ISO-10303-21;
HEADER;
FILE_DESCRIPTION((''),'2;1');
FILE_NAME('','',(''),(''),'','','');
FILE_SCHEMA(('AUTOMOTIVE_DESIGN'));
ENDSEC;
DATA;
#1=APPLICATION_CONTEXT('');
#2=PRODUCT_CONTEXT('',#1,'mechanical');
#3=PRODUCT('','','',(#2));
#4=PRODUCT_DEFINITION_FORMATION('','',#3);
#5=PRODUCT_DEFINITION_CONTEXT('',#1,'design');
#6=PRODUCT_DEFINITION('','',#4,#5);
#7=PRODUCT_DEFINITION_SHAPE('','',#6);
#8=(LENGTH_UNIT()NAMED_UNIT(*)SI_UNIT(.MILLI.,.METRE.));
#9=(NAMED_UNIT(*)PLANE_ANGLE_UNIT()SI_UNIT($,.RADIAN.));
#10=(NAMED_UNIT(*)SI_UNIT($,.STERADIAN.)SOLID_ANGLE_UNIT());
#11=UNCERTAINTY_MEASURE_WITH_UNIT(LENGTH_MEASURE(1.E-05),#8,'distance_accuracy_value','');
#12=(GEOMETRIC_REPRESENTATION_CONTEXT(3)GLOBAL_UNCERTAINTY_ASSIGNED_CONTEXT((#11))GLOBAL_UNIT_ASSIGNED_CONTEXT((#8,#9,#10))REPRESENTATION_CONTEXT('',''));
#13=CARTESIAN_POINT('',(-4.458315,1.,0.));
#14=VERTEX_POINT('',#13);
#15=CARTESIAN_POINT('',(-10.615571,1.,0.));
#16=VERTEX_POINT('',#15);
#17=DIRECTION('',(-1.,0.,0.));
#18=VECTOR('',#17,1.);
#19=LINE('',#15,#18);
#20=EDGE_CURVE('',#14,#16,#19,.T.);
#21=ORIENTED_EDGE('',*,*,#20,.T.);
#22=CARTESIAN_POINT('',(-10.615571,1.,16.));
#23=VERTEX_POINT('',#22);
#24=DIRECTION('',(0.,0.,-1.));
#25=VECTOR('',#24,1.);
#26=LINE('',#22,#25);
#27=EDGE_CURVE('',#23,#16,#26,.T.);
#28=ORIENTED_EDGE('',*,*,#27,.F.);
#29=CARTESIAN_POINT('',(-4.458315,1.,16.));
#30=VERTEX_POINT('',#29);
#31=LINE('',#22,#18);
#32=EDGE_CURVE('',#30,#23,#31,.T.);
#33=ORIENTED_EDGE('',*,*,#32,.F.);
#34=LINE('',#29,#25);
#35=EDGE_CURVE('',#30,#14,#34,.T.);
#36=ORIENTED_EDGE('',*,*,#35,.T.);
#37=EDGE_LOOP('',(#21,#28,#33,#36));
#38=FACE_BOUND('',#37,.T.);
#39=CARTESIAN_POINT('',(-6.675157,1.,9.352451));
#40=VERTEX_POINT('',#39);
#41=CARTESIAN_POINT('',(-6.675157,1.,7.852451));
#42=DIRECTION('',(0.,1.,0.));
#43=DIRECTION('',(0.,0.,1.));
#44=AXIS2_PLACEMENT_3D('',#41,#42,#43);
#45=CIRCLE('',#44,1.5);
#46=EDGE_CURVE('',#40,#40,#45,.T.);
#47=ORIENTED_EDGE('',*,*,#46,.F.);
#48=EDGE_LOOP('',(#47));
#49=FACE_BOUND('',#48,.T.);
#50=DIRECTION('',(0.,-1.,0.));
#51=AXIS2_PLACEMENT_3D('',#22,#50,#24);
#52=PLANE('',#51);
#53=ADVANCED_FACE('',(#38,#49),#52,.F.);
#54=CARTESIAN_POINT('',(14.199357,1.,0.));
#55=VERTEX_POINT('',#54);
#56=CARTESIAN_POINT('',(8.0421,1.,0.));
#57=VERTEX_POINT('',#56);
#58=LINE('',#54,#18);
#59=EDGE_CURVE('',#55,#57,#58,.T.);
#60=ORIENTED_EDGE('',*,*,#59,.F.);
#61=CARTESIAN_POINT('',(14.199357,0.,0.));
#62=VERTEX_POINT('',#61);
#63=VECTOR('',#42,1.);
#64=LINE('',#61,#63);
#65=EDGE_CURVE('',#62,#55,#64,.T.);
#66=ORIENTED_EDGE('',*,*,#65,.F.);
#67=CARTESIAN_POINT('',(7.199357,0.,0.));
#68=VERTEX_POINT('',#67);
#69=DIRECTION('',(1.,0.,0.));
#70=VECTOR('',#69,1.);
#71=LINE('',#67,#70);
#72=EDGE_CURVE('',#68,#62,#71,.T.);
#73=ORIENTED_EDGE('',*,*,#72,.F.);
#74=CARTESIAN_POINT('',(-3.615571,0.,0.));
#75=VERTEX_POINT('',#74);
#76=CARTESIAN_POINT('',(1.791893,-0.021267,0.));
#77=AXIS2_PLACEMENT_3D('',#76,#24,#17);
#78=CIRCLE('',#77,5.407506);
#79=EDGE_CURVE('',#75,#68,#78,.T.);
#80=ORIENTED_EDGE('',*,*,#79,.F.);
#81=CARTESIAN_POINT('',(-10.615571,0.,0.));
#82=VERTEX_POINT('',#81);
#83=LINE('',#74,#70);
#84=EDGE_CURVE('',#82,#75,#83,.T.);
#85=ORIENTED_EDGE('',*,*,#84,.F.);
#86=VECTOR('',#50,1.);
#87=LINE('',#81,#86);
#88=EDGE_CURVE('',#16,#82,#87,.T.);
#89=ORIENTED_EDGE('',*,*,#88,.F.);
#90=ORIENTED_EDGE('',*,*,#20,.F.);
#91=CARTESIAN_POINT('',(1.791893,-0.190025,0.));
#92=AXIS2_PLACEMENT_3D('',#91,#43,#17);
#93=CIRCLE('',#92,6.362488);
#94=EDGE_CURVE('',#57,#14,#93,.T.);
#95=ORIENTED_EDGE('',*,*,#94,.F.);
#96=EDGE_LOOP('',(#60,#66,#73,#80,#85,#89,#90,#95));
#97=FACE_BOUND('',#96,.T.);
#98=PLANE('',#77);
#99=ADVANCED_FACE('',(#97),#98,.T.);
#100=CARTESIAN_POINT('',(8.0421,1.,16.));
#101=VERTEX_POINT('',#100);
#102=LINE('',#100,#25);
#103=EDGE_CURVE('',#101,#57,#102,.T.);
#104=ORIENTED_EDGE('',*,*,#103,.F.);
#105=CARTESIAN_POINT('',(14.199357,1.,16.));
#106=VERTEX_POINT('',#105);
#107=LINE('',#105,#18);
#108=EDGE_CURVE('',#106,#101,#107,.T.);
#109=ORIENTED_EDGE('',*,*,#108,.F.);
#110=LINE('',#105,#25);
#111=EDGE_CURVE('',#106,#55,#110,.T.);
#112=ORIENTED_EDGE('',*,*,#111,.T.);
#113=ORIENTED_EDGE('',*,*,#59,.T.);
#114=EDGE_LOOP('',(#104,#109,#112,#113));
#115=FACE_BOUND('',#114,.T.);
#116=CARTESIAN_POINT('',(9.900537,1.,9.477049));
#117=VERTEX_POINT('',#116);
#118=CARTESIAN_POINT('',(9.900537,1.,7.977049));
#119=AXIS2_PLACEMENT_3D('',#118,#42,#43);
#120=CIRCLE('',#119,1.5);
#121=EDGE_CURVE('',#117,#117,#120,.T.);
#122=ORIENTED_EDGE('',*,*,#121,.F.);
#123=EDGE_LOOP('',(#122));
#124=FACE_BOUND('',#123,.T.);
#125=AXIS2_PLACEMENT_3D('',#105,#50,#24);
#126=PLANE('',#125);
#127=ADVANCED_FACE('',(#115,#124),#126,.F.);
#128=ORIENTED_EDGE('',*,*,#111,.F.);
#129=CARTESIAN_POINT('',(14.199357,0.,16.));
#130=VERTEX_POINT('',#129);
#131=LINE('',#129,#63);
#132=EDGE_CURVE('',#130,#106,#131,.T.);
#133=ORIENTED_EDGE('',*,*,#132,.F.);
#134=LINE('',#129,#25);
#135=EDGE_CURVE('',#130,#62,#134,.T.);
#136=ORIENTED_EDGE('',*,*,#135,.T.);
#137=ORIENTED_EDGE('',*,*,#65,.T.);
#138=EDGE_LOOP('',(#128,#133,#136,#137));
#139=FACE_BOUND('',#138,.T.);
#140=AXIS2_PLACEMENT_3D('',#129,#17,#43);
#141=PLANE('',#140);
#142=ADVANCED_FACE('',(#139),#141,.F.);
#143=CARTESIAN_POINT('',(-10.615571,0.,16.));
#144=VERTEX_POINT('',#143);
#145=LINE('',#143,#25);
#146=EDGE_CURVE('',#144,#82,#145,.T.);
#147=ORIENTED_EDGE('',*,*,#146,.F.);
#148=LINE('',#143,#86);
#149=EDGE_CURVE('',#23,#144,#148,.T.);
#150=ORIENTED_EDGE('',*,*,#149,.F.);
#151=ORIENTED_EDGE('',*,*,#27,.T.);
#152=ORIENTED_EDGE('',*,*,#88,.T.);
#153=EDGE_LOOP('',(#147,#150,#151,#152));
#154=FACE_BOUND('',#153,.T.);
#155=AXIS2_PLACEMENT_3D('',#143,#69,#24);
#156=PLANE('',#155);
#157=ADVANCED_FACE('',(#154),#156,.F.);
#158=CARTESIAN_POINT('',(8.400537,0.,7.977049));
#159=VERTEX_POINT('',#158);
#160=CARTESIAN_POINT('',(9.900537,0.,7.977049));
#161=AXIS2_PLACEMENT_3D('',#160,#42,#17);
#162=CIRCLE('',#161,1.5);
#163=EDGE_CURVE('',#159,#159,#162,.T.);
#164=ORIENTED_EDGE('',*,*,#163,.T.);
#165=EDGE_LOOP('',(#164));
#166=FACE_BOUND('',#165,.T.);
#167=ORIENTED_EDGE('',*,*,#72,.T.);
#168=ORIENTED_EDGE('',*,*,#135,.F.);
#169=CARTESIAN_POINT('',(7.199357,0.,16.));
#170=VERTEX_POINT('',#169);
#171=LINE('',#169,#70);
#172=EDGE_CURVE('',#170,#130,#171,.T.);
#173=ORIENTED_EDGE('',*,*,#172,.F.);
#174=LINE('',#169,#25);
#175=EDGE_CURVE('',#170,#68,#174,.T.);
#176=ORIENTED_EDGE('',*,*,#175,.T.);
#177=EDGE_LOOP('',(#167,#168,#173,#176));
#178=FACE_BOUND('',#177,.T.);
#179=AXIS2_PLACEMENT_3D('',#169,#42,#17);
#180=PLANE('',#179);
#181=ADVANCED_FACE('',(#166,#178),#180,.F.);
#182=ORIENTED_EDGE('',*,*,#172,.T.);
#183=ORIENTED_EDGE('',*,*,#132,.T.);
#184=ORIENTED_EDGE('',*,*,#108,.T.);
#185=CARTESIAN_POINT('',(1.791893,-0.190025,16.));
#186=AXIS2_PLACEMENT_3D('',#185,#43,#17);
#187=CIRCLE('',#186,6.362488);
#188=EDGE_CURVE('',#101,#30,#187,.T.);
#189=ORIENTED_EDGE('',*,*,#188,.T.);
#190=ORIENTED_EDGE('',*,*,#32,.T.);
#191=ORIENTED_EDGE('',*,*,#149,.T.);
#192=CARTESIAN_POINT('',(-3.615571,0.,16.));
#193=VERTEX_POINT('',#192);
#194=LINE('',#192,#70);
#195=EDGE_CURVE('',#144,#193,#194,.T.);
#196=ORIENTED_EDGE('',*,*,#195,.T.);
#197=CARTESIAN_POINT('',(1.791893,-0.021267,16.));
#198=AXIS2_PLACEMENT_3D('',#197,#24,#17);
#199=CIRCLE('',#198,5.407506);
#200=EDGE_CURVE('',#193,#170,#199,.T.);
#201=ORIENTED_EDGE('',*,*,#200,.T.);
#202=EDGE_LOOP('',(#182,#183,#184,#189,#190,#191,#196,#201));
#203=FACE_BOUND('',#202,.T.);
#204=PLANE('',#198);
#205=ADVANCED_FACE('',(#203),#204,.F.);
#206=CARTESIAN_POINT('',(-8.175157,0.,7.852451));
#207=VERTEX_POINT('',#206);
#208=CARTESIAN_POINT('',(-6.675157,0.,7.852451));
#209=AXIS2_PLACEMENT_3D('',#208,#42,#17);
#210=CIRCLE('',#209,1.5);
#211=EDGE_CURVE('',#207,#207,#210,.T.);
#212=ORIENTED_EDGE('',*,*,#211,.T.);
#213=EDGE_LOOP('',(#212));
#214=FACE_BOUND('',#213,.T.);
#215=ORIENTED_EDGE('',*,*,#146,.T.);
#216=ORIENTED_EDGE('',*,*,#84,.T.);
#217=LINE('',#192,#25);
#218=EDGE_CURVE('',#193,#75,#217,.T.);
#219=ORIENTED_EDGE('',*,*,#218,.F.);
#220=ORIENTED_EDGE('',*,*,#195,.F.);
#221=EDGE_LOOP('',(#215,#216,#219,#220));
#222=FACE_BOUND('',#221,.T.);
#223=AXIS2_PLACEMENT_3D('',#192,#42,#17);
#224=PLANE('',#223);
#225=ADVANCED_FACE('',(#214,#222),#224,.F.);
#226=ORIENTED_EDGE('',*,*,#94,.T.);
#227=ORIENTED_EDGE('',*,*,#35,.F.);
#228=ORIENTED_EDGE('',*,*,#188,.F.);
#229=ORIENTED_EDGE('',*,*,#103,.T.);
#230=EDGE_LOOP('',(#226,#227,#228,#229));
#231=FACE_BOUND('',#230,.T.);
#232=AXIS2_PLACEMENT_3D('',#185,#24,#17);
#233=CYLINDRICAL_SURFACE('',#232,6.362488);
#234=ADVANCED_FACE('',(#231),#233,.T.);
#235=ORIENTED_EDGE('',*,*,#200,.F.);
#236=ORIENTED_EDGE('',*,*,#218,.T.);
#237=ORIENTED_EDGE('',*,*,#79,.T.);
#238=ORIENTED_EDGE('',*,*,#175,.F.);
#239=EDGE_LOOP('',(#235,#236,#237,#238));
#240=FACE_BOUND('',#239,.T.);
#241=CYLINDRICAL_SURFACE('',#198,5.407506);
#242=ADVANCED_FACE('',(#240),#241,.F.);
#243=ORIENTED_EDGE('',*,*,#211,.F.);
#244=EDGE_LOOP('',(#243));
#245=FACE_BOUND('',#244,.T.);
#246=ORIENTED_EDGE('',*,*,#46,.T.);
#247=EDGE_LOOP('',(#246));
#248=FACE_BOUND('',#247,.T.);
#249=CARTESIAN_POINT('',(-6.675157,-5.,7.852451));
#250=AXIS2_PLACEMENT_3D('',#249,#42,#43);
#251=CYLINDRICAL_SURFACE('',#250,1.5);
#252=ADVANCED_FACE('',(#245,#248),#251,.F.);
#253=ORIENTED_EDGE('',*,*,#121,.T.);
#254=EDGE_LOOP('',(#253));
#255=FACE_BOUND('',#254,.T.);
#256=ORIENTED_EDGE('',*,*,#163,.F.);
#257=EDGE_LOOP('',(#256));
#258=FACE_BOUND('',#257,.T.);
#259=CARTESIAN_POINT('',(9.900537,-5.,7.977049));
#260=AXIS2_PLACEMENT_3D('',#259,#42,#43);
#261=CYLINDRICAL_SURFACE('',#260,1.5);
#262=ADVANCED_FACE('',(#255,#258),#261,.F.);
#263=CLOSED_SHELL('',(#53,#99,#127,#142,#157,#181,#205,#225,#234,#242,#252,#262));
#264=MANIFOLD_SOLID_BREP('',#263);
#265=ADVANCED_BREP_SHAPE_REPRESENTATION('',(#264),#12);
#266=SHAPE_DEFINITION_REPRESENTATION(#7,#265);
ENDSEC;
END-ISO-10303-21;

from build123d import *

# Parameters (mm, degrees)
BOSS_EXTRUDE3_DEPTH = 16
SKETCH6_R           = 1.5
CUT_EXTRUDE3_DEPTH  = 6


with BuildPart() as part:
    # Sketch5 → Boss-Extrude3 (new body)
    with BuildSketch(Plane.XY):
        with BuildLine():
            Line((-3.615571451, 0), (-10.615571451, 0))
            Line((-10.615571451, 0), (-10.615571451, 1))
            Line((-10.615571451, 1), (-4.458314558, 1))
            ThreePointArc((-4.458314558, 1), (1.791892926, 6.172463259), (8.04210041, 1))
            Line((8.04210041, 1), (14.199357303, 1))
            Line((14.199357303, 1), (14.199357303, 0))
            Line((14.199357303, 0), (7.199357303, 0))
            ThreePointArc((7.199357303, 0), (1.791892926, 5.3862389), (-3.615571451, 0))
        make_face()
    extrude(amount=BOSS_EXTRUDE3_DEPTH)

    # Sketch6 → Cut-Extrude3 (cut)
    with BuildSketch(Plane(origin=(0, 1, 0), x_dir=(1, 0, 0), z_dir=(0, 1, 0))):
        with Locations(Location((-6.675157332, -7.852450815, 0), (0, 0, 270))):
            Circle(SKETCH6_R)
        with Locations(Location((9.90053709, -7.977048724, 0), (0, 0, 270))):
            Circle(SKETCH6_R)
    extrude(amount=-CUT_EXTRUDE3_DEPTH, mode=Mode.SUBTRACT)


solid = part.part
